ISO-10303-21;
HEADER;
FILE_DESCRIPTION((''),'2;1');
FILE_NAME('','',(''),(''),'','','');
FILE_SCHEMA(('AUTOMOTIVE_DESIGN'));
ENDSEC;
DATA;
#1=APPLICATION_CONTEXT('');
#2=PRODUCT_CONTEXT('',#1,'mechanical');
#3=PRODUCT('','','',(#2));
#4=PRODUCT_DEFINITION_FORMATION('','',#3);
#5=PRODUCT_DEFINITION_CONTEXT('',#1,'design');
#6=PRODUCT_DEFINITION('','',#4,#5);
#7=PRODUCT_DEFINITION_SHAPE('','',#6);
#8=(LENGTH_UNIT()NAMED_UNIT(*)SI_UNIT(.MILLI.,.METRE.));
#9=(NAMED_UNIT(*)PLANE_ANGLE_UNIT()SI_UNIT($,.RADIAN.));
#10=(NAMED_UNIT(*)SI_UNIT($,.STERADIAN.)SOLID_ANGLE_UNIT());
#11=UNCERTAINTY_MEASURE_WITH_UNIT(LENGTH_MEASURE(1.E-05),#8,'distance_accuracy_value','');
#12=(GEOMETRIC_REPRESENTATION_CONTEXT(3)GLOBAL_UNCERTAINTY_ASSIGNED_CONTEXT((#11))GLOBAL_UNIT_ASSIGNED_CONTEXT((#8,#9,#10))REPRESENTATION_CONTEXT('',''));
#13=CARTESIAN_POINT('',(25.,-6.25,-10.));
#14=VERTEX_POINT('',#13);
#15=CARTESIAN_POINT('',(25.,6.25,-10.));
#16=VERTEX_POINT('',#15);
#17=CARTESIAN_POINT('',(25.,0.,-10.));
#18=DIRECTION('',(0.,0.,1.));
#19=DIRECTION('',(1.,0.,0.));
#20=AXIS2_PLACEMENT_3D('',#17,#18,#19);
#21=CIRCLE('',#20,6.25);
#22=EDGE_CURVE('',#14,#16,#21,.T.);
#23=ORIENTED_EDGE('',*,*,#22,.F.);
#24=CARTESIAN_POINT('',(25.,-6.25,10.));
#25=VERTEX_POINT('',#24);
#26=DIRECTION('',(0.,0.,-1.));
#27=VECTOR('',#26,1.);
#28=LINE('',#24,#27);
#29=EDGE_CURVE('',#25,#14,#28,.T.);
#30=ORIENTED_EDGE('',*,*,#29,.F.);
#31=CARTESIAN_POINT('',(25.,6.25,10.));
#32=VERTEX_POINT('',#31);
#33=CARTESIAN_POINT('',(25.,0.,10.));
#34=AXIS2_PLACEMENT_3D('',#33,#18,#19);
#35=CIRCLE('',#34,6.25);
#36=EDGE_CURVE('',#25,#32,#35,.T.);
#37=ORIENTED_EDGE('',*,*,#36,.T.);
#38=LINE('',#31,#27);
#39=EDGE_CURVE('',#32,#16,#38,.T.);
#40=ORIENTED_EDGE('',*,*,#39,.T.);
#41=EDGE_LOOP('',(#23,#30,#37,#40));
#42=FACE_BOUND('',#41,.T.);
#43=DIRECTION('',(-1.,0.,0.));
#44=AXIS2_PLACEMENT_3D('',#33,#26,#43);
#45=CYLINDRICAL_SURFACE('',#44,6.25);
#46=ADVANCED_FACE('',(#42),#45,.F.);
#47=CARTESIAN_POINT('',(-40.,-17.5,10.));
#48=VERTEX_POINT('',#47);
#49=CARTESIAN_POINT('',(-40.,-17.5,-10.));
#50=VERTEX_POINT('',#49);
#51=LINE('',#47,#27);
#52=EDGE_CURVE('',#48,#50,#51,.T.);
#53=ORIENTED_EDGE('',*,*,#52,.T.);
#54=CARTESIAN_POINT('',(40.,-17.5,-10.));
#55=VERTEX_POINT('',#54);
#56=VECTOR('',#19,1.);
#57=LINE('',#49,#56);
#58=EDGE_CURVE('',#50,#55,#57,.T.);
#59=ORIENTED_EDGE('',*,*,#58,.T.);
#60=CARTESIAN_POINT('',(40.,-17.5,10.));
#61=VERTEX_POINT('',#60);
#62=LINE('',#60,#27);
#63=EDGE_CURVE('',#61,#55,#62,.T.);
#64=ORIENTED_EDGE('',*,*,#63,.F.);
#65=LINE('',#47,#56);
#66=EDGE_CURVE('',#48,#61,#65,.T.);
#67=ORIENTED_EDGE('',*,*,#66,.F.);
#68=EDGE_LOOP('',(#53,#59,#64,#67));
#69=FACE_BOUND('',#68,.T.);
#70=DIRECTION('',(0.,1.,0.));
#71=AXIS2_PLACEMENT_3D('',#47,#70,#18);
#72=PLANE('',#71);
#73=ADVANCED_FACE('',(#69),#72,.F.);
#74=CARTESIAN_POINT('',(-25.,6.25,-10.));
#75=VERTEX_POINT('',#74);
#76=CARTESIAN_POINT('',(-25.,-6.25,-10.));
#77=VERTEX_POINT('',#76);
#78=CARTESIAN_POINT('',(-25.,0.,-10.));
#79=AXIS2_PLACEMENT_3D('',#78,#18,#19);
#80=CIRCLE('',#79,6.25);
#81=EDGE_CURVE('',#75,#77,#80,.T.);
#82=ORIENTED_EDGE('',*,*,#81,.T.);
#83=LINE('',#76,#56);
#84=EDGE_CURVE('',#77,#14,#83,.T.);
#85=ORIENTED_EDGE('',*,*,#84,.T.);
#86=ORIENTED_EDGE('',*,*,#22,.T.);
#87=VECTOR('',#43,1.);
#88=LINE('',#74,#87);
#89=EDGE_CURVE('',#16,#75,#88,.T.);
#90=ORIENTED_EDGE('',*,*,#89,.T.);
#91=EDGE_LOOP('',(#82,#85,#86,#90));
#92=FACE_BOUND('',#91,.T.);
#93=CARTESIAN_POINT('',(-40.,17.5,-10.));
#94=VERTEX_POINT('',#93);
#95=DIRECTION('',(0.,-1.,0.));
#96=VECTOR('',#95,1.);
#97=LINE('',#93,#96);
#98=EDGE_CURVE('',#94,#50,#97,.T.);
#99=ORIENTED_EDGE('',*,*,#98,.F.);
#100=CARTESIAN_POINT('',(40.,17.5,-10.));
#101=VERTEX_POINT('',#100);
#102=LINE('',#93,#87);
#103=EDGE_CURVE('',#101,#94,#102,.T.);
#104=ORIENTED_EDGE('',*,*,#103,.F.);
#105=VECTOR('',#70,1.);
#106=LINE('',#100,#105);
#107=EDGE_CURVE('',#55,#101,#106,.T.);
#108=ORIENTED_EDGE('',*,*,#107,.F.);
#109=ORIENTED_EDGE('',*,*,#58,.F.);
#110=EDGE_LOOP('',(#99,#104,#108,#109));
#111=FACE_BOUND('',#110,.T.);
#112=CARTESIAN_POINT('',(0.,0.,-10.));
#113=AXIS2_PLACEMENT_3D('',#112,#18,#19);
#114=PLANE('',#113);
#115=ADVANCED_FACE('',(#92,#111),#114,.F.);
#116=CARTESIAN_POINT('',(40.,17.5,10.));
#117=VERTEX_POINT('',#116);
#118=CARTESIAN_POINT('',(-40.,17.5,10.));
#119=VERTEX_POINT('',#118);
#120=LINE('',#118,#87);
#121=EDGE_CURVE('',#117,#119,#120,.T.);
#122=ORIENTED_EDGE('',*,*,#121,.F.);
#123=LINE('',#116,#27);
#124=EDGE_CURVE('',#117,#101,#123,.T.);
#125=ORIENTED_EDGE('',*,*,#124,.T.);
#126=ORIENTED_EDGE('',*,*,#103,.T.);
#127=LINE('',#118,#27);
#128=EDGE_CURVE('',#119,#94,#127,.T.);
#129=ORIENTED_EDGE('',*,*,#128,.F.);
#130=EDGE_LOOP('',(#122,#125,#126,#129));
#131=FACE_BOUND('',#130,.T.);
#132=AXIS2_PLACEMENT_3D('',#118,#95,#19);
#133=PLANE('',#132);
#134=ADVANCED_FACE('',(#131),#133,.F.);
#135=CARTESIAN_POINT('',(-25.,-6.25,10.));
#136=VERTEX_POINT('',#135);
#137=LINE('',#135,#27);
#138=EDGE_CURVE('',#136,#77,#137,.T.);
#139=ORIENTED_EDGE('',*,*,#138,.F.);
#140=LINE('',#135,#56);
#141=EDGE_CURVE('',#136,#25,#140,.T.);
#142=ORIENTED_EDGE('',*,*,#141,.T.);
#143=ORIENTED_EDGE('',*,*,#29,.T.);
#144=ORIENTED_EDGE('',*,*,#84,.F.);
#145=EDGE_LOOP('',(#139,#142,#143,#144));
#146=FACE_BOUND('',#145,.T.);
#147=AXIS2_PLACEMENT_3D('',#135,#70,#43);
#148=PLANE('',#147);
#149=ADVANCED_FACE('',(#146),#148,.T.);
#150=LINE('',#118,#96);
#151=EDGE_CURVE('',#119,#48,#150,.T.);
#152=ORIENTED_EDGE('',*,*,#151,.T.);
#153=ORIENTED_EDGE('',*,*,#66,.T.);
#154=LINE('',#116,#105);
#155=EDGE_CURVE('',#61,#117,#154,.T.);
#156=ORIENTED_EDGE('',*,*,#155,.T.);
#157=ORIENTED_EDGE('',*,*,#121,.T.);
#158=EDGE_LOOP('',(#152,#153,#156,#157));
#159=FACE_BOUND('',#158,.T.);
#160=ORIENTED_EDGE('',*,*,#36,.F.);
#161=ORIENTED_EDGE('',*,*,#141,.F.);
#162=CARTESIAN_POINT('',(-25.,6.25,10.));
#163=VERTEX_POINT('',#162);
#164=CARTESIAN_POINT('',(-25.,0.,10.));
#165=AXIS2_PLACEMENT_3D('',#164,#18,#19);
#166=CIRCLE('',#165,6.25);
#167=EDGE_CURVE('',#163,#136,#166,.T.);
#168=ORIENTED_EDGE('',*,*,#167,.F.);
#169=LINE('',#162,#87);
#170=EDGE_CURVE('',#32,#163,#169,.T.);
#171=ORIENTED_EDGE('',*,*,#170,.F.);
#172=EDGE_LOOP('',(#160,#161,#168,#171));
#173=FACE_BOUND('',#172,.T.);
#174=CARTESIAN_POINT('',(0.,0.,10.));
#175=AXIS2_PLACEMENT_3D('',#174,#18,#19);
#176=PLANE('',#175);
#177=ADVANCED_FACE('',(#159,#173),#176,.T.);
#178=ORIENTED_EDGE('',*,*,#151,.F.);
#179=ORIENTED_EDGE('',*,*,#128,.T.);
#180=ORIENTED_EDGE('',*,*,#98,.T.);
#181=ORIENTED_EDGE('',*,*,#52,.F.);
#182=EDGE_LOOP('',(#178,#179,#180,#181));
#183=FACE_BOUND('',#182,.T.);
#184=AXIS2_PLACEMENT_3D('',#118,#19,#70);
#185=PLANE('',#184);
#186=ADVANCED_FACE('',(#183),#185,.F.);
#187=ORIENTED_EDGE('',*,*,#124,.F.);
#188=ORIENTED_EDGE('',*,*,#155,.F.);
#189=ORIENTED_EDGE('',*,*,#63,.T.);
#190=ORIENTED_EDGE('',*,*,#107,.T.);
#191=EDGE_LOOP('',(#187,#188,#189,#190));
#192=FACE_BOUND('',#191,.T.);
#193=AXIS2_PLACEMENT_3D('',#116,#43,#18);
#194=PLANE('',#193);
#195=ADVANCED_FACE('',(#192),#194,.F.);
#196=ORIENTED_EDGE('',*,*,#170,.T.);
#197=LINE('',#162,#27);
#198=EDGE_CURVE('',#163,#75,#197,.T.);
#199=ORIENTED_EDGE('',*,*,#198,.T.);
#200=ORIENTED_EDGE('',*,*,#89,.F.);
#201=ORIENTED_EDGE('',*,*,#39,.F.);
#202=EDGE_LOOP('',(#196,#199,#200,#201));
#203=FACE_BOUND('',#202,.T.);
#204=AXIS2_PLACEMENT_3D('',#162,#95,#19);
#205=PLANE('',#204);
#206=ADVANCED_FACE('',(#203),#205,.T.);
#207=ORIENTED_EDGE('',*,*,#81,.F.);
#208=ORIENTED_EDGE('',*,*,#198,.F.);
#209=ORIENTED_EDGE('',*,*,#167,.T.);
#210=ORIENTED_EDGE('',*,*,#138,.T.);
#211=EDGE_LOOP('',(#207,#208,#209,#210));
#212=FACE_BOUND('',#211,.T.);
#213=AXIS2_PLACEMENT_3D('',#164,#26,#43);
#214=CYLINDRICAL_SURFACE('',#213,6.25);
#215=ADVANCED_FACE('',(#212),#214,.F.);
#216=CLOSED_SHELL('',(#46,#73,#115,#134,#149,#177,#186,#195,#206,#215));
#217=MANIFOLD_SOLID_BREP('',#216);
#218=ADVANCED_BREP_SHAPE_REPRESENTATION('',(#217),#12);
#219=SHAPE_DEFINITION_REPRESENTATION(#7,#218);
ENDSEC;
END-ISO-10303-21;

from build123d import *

# Parameters (mm, degrees)
SKETCH1_W           = 80
SKETCH1_H           = 35
BOSS_EXTRUDE1_DEPTH = 10


with BuildPart() as part:
    # Sketch1 → Boss-Extrude1 (new, symmetric)
    with BuildSketch(Plane.XY):
        Rectangle(SKETCH1_W, SKETCH1_H)
        with BuildLine():
            Line((-25, 6.25), (25, 6.25))
            ThreePointArc((25, 6.25), (31.25, 0), (25, -6.25))
            Line((25, -6.25), (-25, -6.25))
            ThreePointArc((-25, -6.25), (-31.25, 0), (-25, 6.25))
        make_face(mode=Mode.SUBTRACT)
    extrude(amount=BOSS_EXTRUDE1_DEPTH, both=True)


solid = part.part
